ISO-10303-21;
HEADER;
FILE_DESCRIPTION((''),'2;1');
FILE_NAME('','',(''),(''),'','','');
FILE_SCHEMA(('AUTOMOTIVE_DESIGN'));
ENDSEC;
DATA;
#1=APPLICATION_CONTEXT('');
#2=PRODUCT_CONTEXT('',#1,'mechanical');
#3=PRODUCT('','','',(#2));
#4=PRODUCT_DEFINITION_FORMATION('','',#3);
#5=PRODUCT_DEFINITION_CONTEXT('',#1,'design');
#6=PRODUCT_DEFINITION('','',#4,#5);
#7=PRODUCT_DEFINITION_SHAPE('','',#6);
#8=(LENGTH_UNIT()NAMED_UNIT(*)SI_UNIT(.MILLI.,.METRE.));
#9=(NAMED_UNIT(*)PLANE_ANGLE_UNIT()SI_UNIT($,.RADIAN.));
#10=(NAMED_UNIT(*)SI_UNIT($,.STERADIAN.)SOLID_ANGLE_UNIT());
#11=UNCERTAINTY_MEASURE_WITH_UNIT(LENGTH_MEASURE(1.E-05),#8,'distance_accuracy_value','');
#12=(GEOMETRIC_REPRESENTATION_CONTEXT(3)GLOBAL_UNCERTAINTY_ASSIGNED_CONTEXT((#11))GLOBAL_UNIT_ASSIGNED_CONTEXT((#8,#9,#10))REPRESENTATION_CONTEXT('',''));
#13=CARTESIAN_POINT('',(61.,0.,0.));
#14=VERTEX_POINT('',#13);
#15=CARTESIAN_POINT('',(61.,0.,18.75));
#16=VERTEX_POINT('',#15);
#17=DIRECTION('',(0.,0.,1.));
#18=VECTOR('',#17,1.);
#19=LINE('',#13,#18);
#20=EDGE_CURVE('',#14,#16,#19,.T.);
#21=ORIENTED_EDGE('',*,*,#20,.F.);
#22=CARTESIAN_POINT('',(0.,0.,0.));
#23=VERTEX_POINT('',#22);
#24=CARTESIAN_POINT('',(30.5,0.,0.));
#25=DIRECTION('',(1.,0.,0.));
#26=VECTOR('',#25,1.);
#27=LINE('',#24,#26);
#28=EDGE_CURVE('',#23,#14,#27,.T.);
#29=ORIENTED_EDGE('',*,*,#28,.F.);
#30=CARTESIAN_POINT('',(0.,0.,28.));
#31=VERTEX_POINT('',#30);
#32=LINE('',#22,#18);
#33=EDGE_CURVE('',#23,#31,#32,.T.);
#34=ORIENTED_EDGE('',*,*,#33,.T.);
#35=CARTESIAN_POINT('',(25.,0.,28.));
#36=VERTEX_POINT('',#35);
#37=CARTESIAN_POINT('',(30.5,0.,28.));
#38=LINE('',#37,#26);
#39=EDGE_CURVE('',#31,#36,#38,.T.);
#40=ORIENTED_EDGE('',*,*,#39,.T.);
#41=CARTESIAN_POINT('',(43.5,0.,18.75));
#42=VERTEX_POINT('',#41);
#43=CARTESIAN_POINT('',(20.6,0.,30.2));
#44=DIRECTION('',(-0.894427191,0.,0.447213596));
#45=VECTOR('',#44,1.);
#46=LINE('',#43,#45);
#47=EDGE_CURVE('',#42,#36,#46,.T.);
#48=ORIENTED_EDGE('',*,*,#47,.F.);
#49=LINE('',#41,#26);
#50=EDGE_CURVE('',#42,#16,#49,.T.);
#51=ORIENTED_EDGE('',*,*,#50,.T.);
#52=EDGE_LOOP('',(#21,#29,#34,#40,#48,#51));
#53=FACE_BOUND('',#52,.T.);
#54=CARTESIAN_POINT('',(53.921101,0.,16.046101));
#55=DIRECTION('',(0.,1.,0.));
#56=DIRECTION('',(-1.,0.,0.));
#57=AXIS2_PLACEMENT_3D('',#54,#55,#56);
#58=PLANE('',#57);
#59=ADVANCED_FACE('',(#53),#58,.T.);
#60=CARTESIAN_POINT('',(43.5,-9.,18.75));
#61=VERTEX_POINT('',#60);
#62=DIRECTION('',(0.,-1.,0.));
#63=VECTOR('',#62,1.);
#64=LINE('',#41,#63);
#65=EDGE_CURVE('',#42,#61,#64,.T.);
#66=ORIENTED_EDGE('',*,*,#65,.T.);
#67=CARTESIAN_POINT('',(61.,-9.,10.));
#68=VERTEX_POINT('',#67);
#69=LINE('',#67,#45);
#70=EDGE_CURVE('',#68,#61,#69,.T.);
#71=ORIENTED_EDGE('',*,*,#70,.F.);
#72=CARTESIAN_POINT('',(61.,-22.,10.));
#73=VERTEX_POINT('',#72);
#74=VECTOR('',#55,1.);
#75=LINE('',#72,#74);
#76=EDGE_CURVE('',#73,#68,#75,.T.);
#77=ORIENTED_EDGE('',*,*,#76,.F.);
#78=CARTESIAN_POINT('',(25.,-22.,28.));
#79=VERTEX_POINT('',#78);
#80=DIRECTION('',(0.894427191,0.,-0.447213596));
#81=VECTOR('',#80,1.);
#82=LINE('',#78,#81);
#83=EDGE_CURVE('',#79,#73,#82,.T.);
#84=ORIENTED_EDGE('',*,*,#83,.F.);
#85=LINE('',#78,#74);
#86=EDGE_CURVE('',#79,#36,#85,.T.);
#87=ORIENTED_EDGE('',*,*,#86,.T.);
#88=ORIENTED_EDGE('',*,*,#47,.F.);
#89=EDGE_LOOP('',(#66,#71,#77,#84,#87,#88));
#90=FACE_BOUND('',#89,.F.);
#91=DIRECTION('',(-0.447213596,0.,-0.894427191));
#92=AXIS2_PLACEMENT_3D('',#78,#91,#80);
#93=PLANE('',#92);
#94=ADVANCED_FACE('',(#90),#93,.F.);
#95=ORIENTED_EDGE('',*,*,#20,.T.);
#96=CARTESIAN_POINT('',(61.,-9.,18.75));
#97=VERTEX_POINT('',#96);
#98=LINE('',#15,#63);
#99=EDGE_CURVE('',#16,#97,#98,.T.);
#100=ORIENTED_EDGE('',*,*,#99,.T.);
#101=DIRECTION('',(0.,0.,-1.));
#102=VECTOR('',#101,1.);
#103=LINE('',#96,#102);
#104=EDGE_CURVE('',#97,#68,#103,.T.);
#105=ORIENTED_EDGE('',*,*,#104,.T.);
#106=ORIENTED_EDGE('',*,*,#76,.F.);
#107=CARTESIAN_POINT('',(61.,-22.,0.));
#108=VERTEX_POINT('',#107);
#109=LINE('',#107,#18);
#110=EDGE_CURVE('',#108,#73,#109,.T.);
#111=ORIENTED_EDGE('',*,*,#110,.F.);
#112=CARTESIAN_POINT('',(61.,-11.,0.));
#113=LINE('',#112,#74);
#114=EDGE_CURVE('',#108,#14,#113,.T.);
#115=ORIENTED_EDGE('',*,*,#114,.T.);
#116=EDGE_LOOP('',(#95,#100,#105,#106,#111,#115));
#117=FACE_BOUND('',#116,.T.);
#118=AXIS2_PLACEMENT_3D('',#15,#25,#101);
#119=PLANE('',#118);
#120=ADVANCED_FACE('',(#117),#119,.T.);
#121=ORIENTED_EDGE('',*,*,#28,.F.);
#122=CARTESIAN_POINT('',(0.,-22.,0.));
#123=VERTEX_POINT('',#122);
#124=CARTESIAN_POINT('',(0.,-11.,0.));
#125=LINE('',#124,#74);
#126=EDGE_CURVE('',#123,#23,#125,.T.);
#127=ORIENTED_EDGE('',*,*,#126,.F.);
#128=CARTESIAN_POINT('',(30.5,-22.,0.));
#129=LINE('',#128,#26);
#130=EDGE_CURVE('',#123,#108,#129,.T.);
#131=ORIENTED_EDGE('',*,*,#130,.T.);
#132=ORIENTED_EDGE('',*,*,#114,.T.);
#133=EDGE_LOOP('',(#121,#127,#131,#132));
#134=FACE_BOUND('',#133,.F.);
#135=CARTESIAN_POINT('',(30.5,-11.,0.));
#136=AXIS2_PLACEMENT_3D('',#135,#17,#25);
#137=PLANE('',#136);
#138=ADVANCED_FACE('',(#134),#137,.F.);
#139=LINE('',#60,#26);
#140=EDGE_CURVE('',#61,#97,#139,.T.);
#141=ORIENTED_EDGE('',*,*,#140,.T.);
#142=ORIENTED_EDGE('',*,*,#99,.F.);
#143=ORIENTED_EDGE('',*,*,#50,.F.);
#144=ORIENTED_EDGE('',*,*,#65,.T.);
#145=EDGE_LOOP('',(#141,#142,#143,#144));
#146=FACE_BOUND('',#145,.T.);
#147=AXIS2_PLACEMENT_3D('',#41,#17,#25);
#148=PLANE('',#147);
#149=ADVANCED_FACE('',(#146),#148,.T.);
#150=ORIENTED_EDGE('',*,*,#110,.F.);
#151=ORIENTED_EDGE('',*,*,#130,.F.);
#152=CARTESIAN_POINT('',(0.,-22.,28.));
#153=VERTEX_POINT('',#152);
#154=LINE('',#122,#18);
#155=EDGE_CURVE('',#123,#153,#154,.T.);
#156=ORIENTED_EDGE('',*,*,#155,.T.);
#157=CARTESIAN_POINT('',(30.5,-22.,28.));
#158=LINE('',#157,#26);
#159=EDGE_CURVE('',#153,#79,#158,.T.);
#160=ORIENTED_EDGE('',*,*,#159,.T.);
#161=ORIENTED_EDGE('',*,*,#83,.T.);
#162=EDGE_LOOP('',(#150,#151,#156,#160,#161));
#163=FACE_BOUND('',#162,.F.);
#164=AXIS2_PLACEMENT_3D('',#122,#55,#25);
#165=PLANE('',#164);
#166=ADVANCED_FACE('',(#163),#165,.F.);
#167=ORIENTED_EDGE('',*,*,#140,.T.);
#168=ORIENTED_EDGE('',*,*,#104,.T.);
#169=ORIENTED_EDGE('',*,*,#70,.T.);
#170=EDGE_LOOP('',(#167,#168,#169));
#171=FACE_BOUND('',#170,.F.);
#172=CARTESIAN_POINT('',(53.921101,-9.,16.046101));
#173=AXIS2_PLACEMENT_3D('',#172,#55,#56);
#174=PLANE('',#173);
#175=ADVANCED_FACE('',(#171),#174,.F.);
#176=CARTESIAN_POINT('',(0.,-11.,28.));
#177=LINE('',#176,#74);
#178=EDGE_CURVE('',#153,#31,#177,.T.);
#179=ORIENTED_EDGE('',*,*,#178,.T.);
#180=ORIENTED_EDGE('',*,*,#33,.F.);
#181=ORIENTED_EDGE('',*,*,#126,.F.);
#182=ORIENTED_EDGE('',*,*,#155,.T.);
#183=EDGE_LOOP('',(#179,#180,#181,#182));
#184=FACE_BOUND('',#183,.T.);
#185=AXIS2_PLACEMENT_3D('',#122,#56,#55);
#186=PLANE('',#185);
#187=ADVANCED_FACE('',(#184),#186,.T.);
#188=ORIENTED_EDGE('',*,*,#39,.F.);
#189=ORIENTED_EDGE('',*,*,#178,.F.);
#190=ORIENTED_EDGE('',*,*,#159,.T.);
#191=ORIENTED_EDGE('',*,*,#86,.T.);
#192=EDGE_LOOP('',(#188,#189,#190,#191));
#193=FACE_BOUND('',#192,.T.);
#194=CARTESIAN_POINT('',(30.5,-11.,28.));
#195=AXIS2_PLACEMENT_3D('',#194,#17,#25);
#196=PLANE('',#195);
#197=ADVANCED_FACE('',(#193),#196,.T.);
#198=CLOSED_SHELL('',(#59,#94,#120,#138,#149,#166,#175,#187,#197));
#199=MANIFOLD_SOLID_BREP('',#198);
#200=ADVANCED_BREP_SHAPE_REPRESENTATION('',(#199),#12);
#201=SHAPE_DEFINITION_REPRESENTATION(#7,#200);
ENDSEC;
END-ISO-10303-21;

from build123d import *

# Parameters (mm, degrees)
F0_W     = 61
F0_H     = 22
F1_DEPTH = 28
F3_DEPTH = 22.001
F5_DEPTH = 9


with BuildPart() as f1:
    # F0 (on Top) → F1 (new body)
    with BuildSketch(Plane.XY):
        with Locations((30.5, -11)):
            Rectangle(F0_W, F0_H)
    extrude(amount=F1_DEPTH)

    # F2 (on face) → F3 (cut, through all)
    with BuildSketch(Plane.XZ.offset(22)):
        Polygon((61, 10), (61, 28), (25, 28), align=None)
    extrude(amount=-F3_DEPTH, mode=Mode.SUBTRACT)

    # F4 (on face) → F5 (join)
    with BuildSketch(Plane(origin=(0, 0, 0), x_dir=(-1, 0, 0), z_dir=(0, 1, 0))):
        Polygon((-61, 18.75), (-61, 10), (-43.5, 18.75), align=None)
    extrude(amount=-F5_DEPTH)


solid = f1.part
